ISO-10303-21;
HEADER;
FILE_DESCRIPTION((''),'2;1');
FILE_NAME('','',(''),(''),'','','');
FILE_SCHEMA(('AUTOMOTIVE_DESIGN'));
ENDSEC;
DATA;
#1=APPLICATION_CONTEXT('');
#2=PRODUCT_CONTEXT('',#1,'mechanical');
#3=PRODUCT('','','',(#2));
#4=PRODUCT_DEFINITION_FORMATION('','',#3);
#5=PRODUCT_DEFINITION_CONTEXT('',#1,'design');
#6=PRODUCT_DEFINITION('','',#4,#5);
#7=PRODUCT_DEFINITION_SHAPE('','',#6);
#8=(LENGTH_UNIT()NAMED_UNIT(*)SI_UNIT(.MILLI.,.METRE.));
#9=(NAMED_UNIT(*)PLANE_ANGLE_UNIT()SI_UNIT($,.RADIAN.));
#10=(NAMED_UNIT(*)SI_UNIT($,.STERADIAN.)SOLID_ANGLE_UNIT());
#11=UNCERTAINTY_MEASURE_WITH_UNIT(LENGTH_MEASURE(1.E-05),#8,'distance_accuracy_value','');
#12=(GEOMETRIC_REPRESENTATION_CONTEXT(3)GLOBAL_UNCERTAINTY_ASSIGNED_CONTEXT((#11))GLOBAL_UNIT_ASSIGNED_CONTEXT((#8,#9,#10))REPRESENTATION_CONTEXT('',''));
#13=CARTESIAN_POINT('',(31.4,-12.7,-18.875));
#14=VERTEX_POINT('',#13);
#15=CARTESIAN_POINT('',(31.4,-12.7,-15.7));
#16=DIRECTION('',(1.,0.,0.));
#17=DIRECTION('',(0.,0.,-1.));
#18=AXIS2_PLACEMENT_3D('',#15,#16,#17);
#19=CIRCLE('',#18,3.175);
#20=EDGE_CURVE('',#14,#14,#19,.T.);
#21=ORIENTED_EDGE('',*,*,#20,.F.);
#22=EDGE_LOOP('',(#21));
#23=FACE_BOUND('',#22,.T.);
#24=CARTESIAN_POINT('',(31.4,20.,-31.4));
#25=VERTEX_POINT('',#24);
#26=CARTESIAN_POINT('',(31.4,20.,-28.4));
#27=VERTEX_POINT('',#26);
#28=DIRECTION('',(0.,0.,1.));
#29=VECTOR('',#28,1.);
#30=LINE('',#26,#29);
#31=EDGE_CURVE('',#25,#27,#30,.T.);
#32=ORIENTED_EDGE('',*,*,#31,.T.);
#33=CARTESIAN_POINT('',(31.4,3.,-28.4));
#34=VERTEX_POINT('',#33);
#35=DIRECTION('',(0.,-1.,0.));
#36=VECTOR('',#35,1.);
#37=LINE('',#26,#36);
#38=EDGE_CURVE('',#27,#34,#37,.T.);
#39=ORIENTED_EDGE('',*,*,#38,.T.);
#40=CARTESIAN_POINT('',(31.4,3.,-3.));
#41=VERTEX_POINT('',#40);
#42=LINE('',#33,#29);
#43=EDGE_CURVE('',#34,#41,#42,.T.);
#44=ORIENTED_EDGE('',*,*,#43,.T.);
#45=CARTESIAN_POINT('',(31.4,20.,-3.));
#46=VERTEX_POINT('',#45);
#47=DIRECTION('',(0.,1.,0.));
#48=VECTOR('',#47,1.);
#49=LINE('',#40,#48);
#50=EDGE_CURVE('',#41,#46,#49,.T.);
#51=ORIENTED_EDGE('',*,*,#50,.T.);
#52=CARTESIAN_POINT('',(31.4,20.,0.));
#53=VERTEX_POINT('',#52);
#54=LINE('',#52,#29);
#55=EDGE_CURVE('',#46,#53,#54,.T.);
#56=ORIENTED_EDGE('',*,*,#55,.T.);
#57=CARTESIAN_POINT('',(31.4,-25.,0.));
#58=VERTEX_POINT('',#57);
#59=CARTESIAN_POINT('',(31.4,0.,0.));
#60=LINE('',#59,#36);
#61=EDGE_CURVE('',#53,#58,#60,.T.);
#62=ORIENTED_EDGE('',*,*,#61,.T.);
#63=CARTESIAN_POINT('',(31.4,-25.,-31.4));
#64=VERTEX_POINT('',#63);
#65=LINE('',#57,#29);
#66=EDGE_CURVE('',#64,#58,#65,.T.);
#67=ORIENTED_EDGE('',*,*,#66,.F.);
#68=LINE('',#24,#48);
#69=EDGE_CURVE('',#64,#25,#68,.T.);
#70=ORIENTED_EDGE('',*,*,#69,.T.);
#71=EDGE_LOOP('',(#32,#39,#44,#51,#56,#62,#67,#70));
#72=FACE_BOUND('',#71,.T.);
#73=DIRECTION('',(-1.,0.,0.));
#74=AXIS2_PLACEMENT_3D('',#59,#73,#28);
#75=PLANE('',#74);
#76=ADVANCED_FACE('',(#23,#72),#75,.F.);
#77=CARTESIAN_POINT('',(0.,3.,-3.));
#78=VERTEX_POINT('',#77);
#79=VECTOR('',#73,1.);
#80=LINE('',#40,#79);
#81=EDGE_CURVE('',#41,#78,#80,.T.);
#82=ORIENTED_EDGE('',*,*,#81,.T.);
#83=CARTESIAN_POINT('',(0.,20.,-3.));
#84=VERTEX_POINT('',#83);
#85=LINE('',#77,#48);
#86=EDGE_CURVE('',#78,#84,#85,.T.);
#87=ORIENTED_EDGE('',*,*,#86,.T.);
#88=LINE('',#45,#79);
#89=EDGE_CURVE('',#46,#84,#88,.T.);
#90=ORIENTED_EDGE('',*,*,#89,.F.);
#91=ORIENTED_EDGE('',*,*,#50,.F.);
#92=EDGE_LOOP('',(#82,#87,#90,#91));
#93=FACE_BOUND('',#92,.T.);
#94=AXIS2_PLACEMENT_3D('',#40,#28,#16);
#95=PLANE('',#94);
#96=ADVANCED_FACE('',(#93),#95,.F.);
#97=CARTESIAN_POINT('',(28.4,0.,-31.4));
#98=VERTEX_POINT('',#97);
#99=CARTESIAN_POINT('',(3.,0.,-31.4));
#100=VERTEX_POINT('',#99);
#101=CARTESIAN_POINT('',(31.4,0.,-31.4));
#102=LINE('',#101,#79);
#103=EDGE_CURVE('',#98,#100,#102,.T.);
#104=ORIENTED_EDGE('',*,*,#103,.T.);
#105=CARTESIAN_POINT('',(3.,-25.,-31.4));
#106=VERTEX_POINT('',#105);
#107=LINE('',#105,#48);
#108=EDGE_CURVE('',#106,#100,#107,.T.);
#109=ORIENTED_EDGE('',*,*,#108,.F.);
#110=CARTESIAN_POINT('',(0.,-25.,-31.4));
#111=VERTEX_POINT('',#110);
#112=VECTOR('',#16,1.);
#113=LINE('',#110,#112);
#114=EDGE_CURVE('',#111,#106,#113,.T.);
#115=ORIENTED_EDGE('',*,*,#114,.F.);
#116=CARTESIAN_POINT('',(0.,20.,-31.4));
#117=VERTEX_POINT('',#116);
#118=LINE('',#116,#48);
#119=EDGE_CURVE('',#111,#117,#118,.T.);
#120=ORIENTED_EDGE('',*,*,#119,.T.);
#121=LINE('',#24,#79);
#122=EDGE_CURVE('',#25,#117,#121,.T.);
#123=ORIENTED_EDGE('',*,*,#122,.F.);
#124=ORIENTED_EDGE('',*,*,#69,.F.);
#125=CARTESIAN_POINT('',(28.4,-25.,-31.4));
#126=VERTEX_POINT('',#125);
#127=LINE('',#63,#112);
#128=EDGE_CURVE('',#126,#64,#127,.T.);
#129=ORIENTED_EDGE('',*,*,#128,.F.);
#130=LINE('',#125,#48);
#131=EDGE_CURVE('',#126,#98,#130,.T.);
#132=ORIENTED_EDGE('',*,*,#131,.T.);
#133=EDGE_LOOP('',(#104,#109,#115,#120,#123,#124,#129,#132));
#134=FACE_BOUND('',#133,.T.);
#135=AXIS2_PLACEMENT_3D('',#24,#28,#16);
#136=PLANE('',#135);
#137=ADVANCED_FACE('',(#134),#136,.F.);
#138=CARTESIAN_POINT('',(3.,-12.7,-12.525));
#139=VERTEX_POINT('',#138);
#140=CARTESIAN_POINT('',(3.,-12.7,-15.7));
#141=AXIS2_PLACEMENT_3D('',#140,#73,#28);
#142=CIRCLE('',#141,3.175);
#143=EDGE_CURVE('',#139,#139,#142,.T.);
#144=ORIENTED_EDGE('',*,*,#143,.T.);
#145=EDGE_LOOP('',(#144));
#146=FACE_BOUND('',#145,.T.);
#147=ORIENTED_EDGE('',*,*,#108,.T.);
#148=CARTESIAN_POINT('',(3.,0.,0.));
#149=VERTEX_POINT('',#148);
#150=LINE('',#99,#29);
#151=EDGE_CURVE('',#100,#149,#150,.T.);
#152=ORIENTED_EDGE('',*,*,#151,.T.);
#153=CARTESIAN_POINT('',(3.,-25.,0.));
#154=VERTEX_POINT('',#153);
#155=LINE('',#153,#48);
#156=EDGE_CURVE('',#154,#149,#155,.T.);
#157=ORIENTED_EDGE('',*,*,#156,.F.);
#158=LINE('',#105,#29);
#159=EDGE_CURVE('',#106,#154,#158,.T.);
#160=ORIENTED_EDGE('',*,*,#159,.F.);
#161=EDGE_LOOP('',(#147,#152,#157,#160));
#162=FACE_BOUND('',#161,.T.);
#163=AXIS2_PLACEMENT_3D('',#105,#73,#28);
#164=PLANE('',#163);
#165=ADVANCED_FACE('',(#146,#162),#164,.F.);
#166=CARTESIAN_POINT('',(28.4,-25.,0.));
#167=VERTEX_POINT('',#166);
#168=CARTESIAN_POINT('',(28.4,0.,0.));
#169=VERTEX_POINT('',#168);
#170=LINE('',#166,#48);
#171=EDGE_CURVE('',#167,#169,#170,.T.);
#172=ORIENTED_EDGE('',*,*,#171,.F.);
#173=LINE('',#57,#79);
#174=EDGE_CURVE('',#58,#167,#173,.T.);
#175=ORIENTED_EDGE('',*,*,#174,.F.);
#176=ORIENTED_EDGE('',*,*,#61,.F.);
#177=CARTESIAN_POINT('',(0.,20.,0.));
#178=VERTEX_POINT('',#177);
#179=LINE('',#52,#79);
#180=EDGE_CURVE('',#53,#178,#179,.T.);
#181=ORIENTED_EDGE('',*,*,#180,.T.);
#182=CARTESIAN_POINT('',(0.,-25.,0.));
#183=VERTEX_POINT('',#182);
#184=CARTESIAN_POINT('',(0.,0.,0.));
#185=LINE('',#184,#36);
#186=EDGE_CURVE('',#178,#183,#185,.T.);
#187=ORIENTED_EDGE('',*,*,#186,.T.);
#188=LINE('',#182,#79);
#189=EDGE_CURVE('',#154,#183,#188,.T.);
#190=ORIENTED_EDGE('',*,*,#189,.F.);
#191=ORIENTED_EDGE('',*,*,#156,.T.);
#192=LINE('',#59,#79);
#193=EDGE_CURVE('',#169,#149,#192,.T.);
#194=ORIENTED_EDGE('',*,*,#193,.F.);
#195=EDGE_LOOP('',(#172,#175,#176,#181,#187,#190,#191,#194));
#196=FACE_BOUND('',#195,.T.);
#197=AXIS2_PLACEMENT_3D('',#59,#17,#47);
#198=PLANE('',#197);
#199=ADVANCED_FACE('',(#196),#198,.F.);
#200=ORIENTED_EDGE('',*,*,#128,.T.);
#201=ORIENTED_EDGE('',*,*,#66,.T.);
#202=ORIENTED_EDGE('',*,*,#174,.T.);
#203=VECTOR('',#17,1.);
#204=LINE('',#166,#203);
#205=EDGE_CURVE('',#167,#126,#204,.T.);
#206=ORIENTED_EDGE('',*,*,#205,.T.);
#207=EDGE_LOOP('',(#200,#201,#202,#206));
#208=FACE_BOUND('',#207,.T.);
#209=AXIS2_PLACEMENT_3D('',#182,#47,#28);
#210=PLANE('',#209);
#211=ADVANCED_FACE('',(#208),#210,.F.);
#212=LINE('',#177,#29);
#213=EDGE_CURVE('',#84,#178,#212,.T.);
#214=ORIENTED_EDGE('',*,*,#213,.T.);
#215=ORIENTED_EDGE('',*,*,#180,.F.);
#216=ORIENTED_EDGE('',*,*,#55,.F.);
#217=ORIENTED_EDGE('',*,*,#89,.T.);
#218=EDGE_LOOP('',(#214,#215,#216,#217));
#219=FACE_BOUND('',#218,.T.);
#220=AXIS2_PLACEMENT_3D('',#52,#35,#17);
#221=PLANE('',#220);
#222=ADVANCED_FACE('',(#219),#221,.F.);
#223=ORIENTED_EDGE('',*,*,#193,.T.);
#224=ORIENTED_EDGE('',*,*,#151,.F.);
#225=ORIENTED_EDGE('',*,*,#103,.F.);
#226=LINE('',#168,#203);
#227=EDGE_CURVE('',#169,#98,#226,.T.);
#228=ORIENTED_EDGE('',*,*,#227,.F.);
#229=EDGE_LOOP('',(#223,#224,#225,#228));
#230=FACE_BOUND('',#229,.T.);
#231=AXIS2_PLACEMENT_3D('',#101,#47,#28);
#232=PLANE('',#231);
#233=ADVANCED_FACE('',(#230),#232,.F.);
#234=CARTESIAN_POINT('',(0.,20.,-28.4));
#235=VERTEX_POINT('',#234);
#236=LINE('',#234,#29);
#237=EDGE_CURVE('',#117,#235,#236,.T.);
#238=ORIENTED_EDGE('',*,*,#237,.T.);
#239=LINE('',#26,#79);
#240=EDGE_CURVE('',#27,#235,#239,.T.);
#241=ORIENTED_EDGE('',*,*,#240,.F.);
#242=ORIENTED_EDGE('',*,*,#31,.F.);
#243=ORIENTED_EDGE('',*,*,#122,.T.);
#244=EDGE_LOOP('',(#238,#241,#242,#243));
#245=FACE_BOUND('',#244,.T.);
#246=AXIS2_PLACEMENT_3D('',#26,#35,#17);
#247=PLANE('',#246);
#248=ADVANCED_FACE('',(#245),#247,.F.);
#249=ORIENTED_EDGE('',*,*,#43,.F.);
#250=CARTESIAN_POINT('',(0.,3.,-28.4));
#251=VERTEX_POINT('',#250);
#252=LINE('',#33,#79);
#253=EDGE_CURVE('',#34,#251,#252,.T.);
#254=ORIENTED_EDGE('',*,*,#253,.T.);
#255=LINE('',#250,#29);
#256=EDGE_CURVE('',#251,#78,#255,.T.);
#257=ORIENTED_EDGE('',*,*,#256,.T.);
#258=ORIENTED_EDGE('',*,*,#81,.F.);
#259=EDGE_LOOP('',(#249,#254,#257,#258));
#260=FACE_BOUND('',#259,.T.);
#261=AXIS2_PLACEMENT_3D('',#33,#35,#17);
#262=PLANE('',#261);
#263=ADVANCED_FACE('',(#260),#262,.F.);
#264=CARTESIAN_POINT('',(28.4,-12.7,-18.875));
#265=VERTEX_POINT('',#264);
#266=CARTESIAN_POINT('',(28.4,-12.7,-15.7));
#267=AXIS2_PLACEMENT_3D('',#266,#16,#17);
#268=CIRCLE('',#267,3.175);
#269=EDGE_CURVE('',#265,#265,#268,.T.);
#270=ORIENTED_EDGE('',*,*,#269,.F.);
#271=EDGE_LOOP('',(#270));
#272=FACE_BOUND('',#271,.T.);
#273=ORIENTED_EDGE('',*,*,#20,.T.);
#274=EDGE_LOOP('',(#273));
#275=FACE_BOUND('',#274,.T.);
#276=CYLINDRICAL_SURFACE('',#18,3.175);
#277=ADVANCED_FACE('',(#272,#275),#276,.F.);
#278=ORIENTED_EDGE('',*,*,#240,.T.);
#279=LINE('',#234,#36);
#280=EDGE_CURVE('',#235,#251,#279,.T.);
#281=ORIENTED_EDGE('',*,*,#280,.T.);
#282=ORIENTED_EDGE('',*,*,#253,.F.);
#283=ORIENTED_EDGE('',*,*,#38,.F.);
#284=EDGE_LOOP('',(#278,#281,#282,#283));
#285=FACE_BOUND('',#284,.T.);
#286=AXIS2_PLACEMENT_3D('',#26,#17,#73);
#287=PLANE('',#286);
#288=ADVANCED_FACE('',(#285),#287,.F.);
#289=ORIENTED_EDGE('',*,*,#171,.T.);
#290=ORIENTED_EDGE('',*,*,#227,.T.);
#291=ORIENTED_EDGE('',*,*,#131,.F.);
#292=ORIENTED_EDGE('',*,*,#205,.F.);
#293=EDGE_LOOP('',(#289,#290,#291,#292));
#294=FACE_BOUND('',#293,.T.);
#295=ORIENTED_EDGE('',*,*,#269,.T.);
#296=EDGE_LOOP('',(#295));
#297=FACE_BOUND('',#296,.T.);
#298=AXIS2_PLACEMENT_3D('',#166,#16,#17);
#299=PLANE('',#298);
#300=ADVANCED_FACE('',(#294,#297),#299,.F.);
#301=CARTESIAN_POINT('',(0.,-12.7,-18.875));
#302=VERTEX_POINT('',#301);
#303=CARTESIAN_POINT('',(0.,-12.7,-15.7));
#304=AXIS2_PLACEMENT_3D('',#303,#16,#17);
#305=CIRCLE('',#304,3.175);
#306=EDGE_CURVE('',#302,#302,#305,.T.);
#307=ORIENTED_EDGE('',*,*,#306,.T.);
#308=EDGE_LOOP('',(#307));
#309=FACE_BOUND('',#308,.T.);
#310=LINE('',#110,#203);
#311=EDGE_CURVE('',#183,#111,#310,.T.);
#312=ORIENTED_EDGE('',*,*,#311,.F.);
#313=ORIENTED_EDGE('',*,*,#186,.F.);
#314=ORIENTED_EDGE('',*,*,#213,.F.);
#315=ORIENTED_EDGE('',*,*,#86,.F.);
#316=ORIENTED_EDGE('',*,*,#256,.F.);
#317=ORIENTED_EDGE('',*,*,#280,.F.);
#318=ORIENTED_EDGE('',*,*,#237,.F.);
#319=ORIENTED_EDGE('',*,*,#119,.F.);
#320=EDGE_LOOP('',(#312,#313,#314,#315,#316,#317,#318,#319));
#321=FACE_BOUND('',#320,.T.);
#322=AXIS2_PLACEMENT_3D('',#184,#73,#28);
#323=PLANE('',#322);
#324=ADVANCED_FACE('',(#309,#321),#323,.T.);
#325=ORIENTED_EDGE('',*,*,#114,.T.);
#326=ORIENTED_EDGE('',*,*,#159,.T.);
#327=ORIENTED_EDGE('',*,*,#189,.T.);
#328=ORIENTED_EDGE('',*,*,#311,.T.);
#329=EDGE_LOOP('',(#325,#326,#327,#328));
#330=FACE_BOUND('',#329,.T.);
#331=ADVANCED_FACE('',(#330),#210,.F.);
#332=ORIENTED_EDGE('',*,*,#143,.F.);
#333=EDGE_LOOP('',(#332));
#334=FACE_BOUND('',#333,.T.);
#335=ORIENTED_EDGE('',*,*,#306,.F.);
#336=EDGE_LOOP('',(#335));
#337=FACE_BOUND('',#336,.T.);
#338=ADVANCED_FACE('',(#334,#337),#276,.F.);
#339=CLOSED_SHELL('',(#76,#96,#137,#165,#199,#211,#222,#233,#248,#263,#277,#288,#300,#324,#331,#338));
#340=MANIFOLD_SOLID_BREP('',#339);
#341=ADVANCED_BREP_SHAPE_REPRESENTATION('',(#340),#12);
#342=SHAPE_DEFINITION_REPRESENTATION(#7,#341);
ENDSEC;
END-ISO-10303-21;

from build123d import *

# Parameters (mm, degrees)
BOSS_EXTRUDE1_DEPTH         = 31.4
SKETCH2_W                   = 3
SKETCH2_H                   = 31.4
BOSS_EXTRUDE2_DEPTH         = 25
F_1_4_0_25_DIAMETER_HOLE1_D = 6.35


with BuildPart() as part:
    # Sketch1 → Boss-Extrude1 (new body)
    with BuildSketch(Plane(origin=(0, 0, 0), x_dir=(0, 0, -1), z_dir=(1, 0, 0))):
        Polygon((0, 0), (0, 20), (3, 20), (3, 3), (28.4, 3), (28.4, 20), (31.4, 20), (31.4, 0), align=None)
    extrude(amount=BOSS_EXTRUDE1_DEPTH)

    # Sketch2 → Boss-Extrude2 (add)
    with BuildSketch(Plane.XZ):
        with Locations((29.9, -15.7)):
            Rectangle(SKETCH2_W, SKETCH2_H)
        with Locations((1.5, -15.7)):
            Rectangle(SKETCH2_W, SKETCH2_H)
    extrude(amount=BOSS_EXTRUDE2_DEPTH)

    # 1/4 (0.25) Diameter Hole1 (through all)
    with Locations(Plane(origin=(31.4, 0, 0), x_dir=(0, 0, -1), z_dir=(1, 0, 0))):
        with Locations((15.7, -12.7)):
            Hole(F_1_4_0_25_DIAMETER_HOLE1_D / 2)


solid = part.part
